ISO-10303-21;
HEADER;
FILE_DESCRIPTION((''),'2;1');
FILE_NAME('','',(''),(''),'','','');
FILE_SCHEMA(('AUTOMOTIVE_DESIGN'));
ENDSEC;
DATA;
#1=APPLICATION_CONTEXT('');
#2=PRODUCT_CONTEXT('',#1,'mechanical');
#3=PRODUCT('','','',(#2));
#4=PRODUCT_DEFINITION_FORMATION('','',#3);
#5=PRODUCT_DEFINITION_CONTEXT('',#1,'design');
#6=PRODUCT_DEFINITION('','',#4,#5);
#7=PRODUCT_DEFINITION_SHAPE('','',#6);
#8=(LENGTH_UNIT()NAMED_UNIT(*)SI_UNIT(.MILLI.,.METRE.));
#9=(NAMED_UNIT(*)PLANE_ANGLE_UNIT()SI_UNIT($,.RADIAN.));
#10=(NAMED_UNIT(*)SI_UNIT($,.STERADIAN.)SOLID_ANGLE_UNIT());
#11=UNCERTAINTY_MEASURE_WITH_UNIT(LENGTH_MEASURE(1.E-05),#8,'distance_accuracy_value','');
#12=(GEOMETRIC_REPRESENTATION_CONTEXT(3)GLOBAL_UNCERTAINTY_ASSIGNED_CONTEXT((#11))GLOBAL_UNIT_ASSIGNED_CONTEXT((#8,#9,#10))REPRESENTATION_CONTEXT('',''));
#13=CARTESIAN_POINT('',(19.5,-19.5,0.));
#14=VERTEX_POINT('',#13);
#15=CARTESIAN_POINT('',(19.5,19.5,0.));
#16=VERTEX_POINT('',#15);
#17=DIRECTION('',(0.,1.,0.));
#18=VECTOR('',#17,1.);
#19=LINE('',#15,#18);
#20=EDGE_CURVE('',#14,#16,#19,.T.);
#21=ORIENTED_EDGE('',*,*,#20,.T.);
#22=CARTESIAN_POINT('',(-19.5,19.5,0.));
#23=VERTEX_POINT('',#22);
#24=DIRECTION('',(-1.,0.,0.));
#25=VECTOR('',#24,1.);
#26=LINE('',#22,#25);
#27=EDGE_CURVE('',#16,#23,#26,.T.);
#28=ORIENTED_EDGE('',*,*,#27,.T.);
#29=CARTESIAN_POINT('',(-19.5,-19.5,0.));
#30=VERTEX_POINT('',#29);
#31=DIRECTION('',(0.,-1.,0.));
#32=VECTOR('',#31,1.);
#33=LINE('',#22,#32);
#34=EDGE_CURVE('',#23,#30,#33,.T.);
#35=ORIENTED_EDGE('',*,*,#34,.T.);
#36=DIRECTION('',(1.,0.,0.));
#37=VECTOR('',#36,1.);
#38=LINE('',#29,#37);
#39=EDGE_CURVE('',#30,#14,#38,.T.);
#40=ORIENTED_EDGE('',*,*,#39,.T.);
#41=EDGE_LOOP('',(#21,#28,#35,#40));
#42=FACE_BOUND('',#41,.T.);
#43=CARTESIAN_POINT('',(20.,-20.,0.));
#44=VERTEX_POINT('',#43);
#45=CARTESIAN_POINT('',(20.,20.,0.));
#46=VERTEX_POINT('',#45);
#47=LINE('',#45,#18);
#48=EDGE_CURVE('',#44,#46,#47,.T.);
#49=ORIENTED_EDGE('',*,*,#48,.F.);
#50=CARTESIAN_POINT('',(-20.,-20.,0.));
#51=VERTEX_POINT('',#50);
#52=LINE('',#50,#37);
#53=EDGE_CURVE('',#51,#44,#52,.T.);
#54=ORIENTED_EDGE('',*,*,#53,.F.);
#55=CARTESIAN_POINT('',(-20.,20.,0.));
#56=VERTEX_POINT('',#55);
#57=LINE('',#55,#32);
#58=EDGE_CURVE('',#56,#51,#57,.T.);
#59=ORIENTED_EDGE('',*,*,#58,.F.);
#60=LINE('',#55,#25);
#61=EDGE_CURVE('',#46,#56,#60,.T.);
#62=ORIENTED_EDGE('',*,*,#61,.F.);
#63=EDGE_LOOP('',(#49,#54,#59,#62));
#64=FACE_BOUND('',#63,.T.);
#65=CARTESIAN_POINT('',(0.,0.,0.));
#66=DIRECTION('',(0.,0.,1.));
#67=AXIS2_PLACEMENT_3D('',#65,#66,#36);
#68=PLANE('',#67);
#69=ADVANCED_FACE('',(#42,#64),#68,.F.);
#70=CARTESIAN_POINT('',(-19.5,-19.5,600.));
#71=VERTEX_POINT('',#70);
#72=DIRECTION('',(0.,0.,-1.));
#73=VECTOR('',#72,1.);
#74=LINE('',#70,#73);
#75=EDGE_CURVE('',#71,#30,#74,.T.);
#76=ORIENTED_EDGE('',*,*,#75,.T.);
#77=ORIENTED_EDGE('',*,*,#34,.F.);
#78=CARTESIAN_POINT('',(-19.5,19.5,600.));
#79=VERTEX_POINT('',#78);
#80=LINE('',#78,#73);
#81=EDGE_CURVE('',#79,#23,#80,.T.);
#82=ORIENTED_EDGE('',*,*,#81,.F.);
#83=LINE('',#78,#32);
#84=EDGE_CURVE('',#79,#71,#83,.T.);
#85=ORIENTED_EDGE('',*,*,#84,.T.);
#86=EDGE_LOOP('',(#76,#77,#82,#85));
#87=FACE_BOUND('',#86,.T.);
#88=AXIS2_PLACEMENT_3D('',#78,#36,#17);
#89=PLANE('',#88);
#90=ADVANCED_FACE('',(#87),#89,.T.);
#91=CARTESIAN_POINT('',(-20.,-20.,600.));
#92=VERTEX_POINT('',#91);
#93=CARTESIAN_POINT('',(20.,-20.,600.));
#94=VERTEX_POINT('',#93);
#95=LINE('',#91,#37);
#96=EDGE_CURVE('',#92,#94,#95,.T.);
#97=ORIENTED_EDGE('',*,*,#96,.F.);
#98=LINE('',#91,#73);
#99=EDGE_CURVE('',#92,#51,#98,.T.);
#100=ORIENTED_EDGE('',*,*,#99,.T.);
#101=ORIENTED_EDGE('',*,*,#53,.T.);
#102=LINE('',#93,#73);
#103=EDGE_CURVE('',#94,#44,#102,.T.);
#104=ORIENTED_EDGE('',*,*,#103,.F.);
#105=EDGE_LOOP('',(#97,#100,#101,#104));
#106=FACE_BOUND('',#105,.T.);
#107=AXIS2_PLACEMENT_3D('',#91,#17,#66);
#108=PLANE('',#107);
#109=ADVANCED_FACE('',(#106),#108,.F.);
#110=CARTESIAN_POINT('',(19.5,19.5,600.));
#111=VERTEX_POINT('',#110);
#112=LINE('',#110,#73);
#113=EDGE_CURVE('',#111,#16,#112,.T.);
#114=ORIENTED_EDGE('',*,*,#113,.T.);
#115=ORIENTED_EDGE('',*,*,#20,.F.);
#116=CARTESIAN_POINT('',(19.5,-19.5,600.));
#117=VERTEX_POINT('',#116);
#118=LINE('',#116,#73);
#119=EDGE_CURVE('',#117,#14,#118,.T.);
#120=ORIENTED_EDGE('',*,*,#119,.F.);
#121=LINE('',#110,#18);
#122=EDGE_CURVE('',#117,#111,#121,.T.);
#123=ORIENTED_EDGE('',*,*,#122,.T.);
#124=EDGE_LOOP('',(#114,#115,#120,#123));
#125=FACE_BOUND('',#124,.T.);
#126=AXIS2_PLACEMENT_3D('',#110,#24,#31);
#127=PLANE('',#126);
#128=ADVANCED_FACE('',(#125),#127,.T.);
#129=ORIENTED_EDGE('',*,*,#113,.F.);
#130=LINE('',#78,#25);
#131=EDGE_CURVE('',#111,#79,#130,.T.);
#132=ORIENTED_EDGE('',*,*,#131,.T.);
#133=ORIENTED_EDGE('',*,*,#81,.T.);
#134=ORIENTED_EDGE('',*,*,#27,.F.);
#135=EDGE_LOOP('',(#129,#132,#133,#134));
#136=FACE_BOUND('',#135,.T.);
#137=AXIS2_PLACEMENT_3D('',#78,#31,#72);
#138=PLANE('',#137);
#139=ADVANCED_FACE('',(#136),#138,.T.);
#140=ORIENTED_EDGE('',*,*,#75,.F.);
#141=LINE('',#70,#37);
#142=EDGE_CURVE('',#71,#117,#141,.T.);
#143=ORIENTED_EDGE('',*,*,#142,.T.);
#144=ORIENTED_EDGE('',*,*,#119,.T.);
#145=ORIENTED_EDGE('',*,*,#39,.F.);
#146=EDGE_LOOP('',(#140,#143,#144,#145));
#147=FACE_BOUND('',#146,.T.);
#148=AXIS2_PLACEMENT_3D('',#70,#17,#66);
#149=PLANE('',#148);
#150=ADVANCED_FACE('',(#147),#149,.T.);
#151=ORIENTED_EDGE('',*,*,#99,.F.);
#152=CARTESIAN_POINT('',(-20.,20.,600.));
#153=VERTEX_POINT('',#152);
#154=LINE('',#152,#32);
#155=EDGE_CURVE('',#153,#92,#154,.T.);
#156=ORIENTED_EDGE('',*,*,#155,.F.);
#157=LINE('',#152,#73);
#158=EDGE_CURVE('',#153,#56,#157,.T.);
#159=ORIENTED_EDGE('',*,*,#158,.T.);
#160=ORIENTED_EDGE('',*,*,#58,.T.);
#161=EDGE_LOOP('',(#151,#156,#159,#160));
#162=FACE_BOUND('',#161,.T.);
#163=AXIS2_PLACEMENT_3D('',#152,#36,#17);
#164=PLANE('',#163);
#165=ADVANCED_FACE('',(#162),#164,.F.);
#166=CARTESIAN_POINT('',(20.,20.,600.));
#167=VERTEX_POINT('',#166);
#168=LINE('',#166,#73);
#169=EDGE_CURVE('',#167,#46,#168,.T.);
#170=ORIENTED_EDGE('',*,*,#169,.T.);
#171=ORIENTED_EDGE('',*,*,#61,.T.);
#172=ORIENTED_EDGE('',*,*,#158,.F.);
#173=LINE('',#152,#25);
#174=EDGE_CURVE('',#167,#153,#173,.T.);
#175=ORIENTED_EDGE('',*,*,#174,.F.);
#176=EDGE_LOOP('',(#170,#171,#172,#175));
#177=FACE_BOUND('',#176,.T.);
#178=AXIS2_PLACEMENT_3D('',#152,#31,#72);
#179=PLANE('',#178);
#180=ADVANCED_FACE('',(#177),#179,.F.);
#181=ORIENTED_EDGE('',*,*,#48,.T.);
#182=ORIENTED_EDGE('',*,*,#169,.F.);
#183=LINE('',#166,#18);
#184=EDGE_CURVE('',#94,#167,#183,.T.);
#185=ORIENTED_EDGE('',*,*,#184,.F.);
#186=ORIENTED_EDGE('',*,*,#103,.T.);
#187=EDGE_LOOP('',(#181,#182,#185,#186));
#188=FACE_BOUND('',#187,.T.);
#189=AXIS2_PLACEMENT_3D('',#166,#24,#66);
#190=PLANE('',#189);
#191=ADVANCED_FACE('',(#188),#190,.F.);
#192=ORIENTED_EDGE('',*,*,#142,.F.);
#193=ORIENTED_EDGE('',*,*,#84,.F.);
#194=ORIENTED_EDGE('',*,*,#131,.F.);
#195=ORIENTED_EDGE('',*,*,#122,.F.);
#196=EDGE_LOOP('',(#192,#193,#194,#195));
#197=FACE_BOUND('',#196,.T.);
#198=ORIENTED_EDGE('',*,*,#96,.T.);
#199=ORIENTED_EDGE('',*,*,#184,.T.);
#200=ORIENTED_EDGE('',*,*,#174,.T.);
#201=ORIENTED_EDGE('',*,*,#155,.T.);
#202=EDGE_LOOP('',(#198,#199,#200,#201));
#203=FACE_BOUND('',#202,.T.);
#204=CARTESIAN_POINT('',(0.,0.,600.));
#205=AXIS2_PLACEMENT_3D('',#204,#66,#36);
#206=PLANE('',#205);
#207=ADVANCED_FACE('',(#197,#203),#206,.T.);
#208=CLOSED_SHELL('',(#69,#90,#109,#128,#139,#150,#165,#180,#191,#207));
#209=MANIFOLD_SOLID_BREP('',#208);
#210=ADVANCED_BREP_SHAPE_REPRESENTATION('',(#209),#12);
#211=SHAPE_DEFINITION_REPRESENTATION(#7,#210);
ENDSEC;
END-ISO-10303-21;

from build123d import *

# Parameters (mm, degrees)
CROQUIS1_W              = 40
CROQUIS1_H              = 40
CROQUIS1_W_2            = 39
CROQUIS1_H_2            = 39
SALIENTE_EXTRUIR1_DEPTH = 600


with BuildPart() as part:
    # Croquis1 → Saliente-Extruir1 (new body)
    with BuildSketch(Plane.XY):
        Rectangle(CROQUIS1_W, CROQUIS1_H)
        Rectangle(CROQUIS1_W_2, CROQUIS1_H_2, mode=Mode.SUBTRACT)
    extrude(amount=SALIENTE_EXTRUIR1_DEPTH)


solid = part.part
